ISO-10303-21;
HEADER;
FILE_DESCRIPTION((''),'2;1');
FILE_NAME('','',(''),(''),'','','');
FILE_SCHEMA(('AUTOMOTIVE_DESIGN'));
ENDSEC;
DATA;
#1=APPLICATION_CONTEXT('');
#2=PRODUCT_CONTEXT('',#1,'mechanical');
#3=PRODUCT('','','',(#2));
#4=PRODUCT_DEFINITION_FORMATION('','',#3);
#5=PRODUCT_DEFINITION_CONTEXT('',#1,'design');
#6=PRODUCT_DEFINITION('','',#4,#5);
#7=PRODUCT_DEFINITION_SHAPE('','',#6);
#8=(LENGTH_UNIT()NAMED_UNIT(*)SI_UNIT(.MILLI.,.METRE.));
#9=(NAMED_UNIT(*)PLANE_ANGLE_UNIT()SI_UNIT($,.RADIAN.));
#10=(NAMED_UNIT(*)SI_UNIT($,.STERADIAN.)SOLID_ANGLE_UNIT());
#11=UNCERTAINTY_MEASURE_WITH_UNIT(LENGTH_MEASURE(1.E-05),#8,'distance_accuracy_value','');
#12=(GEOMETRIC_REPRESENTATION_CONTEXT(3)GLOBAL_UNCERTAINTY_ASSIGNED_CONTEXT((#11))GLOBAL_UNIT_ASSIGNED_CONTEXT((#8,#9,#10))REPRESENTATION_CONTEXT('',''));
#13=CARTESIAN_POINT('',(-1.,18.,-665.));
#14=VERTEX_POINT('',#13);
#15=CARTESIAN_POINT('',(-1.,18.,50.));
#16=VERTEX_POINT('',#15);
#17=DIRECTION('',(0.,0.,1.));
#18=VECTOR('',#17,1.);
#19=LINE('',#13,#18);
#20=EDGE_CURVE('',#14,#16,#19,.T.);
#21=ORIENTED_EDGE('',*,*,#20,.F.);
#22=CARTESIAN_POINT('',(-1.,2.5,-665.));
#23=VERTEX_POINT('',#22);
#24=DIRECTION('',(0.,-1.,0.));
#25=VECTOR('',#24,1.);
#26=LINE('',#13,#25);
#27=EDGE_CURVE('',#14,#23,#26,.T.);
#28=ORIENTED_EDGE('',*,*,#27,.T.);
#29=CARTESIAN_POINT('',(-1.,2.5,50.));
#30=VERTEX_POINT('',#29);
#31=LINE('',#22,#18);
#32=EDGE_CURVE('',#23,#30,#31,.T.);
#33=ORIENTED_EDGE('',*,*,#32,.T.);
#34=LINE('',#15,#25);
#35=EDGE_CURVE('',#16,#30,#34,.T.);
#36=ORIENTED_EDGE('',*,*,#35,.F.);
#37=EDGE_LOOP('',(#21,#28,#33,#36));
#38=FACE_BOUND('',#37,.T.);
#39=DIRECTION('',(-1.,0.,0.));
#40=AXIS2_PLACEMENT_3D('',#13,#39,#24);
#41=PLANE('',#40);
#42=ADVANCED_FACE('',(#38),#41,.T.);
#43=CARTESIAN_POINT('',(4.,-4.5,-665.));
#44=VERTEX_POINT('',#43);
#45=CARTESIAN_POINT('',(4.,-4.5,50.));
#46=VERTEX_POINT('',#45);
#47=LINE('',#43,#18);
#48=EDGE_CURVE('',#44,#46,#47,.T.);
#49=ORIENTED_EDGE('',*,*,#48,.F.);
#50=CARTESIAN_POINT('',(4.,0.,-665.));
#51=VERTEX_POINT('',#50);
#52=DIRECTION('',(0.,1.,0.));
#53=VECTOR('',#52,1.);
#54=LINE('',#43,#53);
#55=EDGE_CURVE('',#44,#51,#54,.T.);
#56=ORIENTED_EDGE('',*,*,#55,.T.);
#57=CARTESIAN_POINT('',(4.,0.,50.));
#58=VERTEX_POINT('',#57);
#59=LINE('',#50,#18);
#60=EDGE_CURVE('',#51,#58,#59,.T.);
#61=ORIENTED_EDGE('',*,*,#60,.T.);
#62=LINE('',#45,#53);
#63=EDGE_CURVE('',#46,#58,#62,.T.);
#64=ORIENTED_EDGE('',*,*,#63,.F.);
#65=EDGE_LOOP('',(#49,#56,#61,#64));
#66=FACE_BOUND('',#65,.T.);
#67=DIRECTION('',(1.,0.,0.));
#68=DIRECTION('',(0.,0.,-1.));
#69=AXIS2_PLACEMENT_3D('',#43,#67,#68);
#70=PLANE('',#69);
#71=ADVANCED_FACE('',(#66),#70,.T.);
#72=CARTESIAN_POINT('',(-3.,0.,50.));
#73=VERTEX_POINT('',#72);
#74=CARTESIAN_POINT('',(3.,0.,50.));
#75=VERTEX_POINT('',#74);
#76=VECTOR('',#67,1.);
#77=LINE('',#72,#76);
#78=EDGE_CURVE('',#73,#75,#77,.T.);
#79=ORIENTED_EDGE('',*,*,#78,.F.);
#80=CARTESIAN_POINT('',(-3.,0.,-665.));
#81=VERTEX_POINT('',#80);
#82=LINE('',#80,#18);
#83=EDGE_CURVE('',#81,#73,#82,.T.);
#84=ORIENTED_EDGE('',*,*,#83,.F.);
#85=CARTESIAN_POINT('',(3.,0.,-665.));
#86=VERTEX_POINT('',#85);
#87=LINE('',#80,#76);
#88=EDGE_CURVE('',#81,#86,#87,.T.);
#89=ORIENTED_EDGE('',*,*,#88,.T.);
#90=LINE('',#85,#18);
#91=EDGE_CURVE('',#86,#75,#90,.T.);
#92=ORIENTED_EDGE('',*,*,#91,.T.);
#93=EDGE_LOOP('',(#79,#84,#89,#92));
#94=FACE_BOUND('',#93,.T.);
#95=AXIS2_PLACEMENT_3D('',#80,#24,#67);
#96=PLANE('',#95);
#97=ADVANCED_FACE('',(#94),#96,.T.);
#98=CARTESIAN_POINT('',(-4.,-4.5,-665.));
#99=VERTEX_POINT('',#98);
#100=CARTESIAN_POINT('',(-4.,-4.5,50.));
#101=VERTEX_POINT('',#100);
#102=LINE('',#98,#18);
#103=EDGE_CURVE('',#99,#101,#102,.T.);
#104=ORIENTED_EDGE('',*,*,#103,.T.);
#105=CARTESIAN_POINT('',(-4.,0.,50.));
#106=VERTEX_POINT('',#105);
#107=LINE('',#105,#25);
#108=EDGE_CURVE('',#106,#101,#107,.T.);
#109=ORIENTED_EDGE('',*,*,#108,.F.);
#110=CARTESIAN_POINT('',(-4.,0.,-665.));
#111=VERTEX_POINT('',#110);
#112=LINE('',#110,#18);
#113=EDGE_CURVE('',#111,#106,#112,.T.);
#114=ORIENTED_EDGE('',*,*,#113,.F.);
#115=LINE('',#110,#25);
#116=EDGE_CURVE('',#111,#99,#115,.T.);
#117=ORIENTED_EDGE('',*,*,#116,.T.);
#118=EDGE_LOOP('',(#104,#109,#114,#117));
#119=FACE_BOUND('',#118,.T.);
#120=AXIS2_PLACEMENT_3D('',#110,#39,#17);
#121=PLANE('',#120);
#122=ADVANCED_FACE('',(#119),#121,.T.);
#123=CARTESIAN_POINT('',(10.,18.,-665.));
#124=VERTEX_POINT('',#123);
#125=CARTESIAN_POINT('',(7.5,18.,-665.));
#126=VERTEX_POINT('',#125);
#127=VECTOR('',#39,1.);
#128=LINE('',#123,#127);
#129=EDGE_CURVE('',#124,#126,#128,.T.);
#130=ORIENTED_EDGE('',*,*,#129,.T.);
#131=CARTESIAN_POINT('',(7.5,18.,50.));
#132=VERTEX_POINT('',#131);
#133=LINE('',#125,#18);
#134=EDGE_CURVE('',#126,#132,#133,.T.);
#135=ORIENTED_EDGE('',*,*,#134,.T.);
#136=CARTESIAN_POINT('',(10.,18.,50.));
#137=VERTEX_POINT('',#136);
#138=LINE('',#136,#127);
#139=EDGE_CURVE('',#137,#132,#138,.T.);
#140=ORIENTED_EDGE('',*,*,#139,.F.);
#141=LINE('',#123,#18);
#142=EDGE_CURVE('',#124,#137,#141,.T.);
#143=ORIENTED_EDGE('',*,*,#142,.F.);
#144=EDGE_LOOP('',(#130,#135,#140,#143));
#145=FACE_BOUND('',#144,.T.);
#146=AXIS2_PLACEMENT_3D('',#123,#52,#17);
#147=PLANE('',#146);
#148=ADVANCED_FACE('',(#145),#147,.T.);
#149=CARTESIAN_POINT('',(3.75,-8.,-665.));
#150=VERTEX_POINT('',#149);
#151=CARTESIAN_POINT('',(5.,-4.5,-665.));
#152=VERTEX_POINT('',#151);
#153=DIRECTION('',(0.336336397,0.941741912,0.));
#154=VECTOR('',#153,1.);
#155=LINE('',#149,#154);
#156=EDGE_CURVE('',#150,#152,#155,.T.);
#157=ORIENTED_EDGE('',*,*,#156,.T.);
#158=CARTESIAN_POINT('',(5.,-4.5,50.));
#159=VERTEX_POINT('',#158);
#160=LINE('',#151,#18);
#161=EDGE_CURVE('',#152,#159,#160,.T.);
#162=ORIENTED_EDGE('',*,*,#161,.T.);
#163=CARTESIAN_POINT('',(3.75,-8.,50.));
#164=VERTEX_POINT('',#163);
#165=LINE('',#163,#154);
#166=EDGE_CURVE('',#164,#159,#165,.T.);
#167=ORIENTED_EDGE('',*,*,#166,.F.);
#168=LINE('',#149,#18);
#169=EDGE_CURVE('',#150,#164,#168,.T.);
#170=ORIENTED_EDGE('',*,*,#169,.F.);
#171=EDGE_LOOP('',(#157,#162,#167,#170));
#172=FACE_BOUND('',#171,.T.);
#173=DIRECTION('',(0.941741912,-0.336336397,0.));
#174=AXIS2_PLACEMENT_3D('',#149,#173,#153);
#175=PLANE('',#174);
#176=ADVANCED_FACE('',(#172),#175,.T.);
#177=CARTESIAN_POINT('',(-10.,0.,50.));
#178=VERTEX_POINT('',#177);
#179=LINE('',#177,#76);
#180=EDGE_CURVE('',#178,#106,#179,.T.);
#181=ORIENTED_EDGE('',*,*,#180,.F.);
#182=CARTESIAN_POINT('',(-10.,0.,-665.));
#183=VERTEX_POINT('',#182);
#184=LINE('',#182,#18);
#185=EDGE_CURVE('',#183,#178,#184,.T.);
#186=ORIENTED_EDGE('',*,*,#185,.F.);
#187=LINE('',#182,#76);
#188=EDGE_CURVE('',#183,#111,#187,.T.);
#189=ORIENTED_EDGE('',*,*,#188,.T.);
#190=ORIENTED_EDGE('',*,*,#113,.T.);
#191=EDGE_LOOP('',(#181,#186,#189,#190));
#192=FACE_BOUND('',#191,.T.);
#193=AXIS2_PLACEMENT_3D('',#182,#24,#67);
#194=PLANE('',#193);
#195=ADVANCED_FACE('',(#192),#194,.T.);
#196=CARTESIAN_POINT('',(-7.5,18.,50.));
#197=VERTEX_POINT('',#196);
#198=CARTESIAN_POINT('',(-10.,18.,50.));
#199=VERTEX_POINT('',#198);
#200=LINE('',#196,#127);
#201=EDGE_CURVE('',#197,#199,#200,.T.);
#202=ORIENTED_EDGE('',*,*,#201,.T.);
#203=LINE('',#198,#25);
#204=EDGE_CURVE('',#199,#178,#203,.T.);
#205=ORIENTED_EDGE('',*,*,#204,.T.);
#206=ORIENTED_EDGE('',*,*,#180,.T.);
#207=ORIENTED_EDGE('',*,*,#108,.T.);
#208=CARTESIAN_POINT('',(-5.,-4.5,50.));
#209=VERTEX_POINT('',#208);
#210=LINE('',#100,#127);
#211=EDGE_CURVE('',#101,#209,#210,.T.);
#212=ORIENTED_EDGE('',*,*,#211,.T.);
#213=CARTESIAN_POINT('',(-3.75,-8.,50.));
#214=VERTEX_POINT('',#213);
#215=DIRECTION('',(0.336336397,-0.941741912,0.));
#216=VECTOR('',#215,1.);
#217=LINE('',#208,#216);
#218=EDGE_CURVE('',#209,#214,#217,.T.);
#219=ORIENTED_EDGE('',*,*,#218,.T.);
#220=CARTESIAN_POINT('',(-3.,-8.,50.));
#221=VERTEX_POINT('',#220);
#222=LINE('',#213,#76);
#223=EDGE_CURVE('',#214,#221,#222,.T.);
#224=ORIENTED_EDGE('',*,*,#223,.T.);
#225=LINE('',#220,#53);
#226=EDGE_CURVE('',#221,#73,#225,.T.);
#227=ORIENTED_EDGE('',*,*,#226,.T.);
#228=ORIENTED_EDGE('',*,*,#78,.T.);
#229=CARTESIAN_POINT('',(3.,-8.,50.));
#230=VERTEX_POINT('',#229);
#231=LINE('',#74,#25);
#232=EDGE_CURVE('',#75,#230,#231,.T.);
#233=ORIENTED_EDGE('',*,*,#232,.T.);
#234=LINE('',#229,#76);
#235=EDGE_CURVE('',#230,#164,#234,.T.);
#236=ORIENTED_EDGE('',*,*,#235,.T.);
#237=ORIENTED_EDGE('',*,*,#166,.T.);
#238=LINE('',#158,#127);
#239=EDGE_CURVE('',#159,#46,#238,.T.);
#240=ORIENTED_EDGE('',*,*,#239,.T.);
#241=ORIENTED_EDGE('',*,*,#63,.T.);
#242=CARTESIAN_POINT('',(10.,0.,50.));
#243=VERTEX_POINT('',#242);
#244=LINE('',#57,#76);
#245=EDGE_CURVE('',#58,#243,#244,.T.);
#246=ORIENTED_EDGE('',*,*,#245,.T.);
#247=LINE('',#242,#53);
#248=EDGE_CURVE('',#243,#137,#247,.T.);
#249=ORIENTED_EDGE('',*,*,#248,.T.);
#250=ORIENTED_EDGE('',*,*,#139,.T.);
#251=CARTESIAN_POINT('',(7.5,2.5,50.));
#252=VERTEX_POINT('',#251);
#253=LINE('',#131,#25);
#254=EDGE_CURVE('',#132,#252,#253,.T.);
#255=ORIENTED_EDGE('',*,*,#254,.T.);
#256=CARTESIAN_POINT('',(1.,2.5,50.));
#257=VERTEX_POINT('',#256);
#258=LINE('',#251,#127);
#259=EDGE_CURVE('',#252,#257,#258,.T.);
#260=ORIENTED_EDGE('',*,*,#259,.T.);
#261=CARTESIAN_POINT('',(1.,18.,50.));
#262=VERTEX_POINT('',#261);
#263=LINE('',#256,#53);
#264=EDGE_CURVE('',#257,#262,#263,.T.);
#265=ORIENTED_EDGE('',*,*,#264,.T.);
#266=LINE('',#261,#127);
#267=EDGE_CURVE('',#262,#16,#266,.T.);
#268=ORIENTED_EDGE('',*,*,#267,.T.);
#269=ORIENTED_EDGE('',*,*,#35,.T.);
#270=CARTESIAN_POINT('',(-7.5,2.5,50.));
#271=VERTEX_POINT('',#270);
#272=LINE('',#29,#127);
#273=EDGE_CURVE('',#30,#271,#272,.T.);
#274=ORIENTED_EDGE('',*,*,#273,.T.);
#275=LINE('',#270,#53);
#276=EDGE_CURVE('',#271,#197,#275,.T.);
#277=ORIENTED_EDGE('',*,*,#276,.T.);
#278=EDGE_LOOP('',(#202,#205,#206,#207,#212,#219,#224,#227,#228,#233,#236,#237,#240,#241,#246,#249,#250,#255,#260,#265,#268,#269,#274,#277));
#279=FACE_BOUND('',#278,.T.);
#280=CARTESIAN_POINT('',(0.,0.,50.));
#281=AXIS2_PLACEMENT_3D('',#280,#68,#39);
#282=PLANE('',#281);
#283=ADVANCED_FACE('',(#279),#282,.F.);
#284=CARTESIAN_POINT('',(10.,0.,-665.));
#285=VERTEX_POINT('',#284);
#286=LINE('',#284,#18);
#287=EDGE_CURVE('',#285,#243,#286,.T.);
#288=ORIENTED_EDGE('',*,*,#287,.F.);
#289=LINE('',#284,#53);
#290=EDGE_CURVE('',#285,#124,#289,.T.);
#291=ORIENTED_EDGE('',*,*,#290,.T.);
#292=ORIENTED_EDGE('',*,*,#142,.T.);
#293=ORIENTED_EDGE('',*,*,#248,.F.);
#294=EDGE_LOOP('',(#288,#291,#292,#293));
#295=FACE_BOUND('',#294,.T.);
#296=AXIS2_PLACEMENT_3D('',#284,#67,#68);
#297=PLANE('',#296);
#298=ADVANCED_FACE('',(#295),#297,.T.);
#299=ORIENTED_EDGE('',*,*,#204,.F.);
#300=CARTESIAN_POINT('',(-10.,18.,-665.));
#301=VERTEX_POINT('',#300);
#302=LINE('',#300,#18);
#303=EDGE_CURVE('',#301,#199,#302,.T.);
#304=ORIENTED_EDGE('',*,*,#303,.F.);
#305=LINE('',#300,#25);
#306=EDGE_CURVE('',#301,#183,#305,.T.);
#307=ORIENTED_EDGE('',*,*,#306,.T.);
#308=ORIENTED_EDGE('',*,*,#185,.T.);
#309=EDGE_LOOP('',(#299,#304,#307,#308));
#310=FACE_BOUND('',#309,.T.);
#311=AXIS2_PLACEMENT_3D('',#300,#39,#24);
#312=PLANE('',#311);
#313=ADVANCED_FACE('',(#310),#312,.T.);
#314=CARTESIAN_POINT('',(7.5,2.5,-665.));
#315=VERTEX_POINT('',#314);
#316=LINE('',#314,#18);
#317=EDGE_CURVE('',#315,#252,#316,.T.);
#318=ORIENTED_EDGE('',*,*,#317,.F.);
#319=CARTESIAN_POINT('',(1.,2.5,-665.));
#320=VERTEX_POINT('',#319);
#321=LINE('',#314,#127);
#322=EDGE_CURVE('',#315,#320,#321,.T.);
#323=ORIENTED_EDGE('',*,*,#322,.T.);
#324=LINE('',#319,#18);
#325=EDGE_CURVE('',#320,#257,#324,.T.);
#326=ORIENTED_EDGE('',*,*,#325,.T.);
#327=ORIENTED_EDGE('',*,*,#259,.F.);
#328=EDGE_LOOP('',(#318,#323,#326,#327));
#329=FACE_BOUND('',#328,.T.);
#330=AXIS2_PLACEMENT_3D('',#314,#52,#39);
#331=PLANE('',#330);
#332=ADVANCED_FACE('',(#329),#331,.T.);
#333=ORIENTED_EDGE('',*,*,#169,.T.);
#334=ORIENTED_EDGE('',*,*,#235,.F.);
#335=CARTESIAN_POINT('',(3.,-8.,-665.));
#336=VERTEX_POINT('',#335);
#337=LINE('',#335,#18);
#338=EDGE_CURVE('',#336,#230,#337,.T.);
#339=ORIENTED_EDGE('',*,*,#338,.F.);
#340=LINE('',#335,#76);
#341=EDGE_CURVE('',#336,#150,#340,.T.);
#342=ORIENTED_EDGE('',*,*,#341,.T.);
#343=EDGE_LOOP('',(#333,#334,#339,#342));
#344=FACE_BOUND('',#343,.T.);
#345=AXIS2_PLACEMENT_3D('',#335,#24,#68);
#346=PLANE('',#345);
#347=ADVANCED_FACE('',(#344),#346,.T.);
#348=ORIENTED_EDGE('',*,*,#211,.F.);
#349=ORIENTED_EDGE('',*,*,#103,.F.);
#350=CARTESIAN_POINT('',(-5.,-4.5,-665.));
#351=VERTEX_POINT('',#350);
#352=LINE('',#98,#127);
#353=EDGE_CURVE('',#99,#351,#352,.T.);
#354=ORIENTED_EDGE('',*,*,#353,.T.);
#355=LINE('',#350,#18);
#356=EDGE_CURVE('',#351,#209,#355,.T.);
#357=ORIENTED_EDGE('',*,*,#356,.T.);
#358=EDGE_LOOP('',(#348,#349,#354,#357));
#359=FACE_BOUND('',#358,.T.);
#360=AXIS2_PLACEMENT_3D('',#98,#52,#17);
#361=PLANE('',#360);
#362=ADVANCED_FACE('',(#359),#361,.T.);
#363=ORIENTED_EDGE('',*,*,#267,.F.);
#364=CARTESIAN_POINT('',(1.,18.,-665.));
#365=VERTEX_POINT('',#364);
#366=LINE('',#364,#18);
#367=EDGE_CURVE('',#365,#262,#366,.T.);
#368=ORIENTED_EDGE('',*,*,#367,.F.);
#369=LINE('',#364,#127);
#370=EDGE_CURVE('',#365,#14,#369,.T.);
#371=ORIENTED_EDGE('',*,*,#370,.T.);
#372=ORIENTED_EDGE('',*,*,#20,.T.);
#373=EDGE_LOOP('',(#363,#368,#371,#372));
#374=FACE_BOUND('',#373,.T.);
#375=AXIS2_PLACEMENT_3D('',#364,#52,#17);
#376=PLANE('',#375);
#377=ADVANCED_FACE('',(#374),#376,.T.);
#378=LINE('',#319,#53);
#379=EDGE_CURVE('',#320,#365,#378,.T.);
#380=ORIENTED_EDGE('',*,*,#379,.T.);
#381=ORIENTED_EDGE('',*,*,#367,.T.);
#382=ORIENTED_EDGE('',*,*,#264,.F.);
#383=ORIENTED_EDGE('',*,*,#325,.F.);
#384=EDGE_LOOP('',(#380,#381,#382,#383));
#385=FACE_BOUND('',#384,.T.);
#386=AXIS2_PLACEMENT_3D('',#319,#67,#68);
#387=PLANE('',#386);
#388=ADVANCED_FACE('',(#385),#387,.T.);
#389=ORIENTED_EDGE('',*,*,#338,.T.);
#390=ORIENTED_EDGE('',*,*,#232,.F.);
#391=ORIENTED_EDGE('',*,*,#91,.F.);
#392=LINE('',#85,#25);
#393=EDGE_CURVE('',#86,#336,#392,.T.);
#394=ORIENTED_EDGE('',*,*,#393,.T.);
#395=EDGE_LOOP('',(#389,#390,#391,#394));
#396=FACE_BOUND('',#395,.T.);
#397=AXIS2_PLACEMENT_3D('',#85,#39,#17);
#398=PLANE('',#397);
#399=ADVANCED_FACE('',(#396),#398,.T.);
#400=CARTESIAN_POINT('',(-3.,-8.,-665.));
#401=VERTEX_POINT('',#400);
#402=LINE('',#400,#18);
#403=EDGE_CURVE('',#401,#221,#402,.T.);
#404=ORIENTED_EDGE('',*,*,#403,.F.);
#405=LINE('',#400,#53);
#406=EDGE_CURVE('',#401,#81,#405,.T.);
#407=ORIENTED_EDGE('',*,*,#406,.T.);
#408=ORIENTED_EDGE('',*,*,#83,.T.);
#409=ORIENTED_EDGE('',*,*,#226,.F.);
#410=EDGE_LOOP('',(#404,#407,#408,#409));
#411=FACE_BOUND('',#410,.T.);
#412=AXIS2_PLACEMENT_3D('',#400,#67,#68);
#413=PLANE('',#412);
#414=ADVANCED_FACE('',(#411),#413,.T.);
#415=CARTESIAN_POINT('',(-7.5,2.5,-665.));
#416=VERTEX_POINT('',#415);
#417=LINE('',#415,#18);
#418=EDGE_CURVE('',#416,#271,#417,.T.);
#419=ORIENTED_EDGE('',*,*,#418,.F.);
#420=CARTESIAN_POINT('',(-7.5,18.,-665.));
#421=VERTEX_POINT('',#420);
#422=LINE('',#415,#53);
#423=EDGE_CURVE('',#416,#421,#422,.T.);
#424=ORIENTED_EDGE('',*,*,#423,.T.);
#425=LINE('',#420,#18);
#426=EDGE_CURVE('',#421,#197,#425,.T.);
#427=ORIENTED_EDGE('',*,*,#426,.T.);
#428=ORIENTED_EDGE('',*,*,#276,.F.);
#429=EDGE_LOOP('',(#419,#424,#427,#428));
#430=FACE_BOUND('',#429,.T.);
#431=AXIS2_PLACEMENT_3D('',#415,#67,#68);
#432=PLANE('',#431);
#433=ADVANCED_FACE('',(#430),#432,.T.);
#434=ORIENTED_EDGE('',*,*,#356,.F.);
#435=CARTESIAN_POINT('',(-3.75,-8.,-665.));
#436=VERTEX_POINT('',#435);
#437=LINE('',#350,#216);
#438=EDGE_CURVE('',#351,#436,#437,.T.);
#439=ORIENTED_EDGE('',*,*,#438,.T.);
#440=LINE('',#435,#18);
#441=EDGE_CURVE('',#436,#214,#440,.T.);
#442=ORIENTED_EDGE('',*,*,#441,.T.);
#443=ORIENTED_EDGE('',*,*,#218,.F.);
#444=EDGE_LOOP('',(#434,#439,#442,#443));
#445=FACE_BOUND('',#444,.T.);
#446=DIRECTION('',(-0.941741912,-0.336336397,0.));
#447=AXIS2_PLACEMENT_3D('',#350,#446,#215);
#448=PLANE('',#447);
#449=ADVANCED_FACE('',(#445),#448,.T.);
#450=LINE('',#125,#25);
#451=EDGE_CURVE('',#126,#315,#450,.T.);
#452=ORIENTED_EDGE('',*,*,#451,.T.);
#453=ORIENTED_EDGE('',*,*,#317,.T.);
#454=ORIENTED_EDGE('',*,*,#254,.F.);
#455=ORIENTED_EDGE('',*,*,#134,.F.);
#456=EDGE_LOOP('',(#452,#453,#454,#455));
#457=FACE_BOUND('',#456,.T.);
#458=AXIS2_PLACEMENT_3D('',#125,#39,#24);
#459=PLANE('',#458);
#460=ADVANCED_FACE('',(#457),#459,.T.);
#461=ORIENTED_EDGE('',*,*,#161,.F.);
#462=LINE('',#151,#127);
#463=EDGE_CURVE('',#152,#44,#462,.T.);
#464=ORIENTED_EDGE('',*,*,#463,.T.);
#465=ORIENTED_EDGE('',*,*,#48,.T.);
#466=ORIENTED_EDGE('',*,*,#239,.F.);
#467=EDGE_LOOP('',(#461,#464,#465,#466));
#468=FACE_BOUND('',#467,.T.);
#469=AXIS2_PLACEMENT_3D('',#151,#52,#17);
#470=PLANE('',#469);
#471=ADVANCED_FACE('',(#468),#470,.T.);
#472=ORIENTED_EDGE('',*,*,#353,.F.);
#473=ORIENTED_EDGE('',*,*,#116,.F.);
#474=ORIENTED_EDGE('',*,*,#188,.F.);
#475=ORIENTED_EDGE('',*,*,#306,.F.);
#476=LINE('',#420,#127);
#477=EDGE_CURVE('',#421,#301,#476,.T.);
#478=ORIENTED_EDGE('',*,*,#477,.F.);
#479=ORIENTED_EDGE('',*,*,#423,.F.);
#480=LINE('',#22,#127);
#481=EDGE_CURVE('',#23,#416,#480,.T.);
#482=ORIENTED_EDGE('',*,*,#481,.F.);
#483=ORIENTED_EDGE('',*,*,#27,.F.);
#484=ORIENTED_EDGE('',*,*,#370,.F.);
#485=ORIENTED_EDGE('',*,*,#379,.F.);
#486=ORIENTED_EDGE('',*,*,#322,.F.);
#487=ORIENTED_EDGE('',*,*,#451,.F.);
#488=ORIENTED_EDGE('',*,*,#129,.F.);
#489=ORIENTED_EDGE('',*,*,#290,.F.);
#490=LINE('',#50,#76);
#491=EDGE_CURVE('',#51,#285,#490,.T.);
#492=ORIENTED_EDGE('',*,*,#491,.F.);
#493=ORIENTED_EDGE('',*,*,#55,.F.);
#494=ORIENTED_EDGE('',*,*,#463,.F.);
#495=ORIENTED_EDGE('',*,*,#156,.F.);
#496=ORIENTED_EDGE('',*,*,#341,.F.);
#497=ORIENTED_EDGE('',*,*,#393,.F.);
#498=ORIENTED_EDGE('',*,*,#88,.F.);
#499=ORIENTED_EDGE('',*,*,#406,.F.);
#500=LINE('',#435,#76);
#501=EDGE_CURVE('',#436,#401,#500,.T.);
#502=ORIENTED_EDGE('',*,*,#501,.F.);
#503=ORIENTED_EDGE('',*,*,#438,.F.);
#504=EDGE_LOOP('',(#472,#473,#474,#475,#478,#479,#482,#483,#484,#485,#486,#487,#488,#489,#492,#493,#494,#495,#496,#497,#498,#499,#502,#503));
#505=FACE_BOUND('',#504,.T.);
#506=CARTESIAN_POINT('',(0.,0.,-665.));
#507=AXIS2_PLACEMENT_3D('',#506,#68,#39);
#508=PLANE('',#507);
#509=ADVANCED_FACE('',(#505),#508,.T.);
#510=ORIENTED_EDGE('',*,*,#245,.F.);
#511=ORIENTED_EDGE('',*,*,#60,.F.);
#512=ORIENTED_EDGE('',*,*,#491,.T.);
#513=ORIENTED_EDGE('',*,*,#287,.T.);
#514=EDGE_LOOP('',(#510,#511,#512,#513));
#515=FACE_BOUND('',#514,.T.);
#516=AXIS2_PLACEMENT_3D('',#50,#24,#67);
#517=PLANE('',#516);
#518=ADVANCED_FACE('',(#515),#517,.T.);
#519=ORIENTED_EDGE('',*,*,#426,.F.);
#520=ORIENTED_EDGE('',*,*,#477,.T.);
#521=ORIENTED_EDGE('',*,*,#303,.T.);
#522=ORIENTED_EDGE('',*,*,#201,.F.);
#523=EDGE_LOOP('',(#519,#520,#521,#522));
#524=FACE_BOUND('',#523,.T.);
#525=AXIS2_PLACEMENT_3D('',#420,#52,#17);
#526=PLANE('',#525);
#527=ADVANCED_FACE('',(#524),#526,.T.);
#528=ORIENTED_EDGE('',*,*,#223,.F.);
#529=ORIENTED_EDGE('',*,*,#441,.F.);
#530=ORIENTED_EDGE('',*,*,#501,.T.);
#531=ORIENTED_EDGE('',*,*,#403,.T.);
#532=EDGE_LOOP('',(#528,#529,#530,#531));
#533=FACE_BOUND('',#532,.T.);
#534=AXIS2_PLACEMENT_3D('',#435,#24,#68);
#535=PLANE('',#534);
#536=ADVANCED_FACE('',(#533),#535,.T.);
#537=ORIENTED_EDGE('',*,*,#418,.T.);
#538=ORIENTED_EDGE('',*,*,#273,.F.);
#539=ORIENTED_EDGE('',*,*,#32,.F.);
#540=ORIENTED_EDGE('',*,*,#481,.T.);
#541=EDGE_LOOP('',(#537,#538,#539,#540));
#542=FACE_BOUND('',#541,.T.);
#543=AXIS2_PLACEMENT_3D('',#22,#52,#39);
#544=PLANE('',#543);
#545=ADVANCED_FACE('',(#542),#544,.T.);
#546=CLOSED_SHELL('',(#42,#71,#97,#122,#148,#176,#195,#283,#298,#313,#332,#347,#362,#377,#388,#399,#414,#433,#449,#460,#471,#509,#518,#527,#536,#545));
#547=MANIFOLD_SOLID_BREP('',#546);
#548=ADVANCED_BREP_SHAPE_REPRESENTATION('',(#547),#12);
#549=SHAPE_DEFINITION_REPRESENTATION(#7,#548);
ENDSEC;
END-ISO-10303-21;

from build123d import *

# Parameters (mm, degrees)
BOSS_EXTRU_1_DEPTH = 715


with BuildPart() as part:
    # Esquisse1 → Boss.-Extru.1 (new body)
    with BuildSketch(Plane.XY.offset(50)):
        Polygon((-1, 2.5), (-7.5, 2.5), (-7.5, 17.999999998), (-10, 17.999999998), (-10, 0), (-4, 0), (-4, -4.5), (-5, -4.5), (-3.75, -8), (-3, -8), (-3, 0), (3, 0), (3, -8), (3.75, -8), (5, -4.5), (4, -4.5), (4, 0), (10, 0), (10, 17.999999998), (7.5, 17.999999998), (7.5, 2.5), (1, 2.5), (1, 17.999999998), (-1, 17.999999998), align=None)
    extrude(amount=-BOSS_EXTRU_1_DEPTH)


solid = part.part
